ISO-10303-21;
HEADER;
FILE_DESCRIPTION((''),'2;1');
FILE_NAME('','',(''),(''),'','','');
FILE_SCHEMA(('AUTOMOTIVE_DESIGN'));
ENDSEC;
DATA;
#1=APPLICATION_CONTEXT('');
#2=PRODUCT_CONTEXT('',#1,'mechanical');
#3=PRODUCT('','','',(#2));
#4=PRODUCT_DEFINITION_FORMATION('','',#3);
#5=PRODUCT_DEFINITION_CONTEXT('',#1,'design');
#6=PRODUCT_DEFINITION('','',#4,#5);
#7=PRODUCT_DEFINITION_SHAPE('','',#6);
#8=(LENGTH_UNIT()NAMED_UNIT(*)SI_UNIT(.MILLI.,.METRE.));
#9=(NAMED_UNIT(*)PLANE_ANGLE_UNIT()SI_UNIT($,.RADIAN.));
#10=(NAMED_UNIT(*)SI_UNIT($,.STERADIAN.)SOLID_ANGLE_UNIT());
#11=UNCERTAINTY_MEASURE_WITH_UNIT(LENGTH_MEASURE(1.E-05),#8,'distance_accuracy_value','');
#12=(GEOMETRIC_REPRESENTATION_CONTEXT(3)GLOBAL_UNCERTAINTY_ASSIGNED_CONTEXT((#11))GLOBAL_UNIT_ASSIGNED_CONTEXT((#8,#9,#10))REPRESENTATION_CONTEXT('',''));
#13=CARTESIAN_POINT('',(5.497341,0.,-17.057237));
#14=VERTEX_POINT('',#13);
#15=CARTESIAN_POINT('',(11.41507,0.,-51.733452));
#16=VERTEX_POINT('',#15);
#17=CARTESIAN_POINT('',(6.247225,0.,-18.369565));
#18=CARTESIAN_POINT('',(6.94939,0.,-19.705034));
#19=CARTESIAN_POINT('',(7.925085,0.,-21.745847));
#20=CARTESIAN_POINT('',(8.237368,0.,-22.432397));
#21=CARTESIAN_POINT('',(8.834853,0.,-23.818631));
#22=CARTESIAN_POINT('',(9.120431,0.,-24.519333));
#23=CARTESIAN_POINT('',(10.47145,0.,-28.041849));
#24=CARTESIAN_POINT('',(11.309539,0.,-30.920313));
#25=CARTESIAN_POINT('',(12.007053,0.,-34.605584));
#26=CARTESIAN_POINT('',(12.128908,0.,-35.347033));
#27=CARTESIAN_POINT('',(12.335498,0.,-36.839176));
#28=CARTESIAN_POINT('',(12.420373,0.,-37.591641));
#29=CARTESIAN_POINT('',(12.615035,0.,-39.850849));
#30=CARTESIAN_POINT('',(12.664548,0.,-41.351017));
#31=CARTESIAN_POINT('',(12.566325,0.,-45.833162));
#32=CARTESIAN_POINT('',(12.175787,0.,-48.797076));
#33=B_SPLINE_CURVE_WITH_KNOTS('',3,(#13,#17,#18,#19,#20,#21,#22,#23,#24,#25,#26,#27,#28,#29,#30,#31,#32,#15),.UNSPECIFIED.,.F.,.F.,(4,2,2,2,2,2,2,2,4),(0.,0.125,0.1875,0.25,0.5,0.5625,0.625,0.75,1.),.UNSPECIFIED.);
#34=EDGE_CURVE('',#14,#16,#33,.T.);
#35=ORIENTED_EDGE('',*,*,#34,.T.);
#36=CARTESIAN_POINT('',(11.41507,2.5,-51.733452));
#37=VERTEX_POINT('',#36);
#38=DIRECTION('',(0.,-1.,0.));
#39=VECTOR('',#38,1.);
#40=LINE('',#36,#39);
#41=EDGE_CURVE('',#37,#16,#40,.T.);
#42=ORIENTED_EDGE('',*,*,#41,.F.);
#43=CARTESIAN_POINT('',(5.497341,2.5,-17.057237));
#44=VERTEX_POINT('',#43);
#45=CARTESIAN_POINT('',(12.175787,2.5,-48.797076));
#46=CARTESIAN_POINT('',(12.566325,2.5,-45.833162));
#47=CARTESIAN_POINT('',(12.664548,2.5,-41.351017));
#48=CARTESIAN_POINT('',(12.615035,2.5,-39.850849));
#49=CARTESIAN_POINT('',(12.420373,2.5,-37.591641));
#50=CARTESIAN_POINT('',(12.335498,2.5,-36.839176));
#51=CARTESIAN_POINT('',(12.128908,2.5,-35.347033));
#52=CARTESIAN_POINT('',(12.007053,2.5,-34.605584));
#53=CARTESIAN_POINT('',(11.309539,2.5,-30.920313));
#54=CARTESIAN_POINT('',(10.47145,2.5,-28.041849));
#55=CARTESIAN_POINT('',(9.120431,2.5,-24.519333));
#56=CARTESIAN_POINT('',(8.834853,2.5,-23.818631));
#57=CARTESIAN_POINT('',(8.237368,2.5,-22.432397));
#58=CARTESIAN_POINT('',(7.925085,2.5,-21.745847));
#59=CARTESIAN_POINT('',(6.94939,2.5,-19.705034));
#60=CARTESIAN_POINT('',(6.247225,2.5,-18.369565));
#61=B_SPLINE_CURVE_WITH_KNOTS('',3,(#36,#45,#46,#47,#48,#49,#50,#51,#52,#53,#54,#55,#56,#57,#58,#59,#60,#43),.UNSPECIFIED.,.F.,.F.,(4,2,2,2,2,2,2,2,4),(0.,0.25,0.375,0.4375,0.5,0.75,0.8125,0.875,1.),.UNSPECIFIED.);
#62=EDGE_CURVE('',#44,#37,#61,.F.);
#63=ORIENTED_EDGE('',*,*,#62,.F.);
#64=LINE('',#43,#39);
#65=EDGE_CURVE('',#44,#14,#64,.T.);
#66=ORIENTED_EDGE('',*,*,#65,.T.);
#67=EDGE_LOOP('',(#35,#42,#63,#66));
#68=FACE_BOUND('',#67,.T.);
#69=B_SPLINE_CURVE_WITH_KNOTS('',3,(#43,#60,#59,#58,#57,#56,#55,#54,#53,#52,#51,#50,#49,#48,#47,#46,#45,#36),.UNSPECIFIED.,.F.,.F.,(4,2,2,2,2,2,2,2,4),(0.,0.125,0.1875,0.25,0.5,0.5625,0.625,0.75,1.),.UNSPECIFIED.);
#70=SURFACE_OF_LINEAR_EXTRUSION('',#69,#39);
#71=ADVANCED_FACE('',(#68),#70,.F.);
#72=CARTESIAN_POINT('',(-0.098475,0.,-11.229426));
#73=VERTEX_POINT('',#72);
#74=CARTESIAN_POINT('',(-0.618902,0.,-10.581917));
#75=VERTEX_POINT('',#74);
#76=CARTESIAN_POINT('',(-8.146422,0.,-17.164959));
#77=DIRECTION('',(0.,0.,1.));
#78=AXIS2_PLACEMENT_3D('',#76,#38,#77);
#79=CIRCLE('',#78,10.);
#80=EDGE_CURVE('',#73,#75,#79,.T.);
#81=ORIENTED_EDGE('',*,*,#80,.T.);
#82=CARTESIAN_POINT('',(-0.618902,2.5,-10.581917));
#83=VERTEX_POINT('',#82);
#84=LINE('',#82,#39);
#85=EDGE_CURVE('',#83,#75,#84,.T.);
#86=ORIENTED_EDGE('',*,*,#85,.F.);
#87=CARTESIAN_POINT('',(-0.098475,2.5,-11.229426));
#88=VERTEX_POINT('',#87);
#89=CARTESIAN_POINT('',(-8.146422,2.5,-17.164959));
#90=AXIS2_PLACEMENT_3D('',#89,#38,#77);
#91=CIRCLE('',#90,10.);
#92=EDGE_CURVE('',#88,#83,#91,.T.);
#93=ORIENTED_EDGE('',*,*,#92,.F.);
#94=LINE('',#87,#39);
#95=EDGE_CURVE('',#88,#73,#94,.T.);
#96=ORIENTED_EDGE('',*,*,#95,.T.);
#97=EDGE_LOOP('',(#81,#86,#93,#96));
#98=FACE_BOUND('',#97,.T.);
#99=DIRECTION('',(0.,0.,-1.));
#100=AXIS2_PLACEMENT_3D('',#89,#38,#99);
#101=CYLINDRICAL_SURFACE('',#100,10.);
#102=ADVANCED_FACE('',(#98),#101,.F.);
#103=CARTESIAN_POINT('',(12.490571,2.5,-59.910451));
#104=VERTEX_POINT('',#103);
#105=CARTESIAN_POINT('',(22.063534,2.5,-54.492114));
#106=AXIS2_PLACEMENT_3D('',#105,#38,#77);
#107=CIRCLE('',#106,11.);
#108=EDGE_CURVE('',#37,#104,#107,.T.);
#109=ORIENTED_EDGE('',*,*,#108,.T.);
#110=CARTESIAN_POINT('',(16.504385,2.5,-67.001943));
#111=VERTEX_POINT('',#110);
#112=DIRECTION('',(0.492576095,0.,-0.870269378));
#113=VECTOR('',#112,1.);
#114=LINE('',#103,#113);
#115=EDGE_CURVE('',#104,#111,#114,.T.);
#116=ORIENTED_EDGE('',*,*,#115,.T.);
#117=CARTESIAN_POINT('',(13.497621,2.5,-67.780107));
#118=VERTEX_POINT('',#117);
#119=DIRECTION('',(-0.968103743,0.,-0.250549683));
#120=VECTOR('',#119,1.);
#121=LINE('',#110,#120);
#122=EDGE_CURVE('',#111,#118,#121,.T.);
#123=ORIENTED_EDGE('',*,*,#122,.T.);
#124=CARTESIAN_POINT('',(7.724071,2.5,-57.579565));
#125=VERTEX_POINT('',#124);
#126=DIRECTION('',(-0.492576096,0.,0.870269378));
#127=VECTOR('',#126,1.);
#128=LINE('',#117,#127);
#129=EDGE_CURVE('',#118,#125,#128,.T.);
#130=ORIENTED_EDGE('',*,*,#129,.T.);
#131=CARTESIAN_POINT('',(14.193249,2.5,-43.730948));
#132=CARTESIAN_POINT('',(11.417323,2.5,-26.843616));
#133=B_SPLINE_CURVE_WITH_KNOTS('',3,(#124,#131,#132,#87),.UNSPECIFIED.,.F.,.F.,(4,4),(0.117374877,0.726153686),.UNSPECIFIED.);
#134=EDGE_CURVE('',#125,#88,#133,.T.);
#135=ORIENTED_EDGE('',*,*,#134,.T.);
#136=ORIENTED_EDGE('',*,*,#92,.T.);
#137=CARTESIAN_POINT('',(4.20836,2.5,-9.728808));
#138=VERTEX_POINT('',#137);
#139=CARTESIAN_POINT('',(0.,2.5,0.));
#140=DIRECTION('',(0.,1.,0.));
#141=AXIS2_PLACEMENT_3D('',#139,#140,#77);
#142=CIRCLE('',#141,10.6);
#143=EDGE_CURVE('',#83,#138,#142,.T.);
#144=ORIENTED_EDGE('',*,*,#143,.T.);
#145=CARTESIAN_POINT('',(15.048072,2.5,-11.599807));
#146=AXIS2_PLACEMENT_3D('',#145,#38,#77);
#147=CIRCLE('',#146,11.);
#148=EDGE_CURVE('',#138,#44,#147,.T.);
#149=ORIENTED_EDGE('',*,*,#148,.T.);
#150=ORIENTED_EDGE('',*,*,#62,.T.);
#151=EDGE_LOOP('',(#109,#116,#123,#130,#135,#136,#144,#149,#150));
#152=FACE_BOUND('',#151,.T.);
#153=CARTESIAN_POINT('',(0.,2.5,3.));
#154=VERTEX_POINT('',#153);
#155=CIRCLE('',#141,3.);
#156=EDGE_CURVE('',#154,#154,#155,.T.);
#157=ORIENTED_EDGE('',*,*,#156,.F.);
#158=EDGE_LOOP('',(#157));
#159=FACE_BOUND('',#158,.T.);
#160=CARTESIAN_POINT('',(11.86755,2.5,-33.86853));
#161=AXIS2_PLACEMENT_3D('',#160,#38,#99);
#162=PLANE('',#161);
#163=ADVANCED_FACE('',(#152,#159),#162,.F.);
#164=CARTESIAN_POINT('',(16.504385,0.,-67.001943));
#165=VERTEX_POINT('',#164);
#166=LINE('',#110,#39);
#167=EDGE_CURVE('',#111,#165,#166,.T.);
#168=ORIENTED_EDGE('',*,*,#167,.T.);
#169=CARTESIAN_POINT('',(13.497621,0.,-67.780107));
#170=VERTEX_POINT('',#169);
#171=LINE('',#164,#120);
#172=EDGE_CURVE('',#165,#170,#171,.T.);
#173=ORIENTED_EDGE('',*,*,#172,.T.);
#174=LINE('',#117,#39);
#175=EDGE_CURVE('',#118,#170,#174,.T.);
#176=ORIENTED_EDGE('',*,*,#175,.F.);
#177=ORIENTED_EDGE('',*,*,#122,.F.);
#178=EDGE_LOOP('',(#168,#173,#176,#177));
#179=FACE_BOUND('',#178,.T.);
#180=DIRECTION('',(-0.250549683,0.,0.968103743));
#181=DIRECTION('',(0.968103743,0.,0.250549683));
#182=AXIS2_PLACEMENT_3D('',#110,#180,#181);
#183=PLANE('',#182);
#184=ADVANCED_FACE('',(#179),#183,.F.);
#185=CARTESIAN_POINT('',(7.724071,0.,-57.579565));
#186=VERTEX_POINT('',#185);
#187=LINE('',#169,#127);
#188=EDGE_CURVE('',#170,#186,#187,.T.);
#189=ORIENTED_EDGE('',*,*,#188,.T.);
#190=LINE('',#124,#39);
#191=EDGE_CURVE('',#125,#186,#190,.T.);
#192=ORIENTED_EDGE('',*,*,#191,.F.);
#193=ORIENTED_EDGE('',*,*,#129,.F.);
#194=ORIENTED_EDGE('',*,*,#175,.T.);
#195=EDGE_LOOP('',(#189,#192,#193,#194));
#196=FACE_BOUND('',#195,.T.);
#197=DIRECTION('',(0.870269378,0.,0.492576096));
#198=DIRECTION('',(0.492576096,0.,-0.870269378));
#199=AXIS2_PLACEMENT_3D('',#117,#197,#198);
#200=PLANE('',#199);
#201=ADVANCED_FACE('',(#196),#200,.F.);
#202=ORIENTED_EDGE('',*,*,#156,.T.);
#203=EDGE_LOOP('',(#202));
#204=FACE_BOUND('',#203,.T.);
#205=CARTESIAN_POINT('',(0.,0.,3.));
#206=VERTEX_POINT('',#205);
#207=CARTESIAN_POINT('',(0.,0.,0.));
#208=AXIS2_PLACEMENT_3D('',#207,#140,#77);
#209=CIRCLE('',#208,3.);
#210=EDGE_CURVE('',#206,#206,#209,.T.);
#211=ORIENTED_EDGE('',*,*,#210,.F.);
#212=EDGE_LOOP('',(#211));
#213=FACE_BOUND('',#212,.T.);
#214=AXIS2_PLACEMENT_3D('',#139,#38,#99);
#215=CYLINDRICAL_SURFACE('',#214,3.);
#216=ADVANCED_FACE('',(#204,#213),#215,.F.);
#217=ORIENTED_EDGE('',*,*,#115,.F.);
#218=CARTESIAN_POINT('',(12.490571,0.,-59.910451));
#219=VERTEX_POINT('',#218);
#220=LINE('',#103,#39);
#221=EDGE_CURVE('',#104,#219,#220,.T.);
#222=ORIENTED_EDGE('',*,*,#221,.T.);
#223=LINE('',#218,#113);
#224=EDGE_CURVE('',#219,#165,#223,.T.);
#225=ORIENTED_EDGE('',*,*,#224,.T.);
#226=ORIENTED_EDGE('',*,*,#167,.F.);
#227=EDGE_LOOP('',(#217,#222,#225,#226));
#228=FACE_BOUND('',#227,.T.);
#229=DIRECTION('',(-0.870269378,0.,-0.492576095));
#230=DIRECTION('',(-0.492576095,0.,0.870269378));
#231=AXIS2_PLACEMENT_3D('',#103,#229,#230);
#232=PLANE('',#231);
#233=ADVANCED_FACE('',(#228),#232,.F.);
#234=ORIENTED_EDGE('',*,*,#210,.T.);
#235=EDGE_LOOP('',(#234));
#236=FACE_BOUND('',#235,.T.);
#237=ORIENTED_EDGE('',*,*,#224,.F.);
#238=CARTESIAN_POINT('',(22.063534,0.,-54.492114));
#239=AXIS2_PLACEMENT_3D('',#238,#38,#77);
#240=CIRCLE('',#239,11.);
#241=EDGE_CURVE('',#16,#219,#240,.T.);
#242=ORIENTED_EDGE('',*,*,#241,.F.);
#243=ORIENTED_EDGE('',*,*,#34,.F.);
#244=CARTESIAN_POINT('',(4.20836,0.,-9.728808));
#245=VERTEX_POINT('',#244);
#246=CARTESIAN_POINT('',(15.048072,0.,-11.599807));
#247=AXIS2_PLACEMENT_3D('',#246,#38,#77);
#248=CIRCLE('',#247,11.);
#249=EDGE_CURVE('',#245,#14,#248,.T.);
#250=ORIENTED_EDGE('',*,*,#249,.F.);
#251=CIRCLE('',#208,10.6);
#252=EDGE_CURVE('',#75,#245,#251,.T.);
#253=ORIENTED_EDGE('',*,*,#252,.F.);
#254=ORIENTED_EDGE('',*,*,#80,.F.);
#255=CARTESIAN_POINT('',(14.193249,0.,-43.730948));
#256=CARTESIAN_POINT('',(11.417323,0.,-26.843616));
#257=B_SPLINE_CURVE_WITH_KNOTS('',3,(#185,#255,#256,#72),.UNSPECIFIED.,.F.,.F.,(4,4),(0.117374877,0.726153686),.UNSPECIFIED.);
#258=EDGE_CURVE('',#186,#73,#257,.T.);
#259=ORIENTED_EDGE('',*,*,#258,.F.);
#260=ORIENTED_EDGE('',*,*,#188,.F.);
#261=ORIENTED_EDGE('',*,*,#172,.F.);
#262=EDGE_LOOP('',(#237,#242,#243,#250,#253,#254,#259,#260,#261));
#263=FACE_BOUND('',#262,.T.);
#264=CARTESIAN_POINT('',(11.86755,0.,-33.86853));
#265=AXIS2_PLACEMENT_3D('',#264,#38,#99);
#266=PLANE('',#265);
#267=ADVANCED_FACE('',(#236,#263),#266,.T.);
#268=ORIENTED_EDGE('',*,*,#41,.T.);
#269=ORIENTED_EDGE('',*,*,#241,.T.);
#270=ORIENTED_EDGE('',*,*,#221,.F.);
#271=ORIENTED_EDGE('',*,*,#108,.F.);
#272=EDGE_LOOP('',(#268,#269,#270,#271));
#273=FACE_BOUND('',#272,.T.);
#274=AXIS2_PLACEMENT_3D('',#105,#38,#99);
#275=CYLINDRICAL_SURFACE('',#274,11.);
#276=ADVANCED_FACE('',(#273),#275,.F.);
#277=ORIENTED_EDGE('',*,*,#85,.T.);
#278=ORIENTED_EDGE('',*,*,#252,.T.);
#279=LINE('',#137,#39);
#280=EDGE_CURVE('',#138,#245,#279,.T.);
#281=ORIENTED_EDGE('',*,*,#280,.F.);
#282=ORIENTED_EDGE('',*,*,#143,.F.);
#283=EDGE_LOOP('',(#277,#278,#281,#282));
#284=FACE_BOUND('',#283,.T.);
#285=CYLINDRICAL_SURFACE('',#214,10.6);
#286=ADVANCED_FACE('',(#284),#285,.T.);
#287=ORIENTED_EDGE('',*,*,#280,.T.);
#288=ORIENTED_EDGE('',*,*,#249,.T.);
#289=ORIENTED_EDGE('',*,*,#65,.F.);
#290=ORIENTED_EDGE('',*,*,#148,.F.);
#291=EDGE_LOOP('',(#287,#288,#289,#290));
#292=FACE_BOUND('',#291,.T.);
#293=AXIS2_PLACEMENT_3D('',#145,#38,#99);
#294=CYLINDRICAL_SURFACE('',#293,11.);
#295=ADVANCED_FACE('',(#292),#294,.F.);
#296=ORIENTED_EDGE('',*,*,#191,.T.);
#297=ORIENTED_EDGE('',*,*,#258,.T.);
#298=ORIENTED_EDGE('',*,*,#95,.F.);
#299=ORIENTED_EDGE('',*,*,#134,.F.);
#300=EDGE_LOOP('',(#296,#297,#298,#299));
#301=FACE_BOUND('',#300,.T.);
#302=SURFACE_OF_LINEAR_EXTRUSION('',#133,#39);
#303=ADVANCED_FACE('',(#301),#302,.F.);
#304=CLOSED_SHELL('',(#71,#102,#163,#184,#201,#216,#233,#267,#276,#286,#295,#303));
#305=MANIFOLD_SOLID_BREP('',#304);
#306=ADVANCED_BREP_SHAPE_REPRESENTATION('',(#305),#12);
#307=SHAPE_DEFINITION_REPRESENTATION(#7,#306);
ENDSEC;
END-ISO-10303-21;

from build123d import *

# Parameters (mm, degrees)
SKETCH1_R           = 3
BOSS_EXTRUDE1_DEPTH = 2.5


with BuildPart() as part:
    # Sketch1 → Boss-Extrude1 (new body)
    with BuildSketch(Plane(origin=(0, 0, 0), x_dir=(1, 0, 0), z_dir=(0, 1, 0))):
        with BuildLine():
            Line((16.504384769, 67.001942846), (13.497620534, 67.780107201))
            Line((13.497620534, 67.780107201), (7.724071328, 57.579565356))
            add(Edge.make_bspline(
                [(-0.09847484, 11.22942621), (11.417322618, 26.843615689), (14.193248849, 43.730948361), (7.724071328, 57.579565356)],
                knots=[0.117374877, 0.117374877, 0.117374877, 0.117374877, 0.726153686, 0.726153686, 0.726153686, 0.726153686], degree=3))
            ThreePointArc((-0.09847484, 11.22942621), (-0.351961708, 10.90026492), (-0.618902028, 10.581916664))
            ThreePointArc((-0.618902028, 10.581916664), (-1.844722259, -10.438246969), (4.208359749, 9.728808161))
            ThreePointArc((4.208359749, 9.728808161), (4.214374117, 13.50532277), (5.497341127, 17.05723696))
            add(Edge.make_bspline(
                [(5.497341127, 17.05723696), (6.247224749, 18.369564751), (6.949389536, 19.705033958), (7.925084618, 21.74584693), (8.237367579, 22.432397455), (8.834853314, 23.818631134), (9.120431061, 24.519332655), (10.471450422, 28.041849379), (11.3095387, 30.920313304), (12.007053004, 34.605583669), (12.12890822, 35.347032839), (12.335497702, 36.839176051), (12.420373432, 37.591640588), (12.615035285, 39.850848786), (12.664547894, 41.35101651), (12.566324851, 45.833161956), (12.175786709, 48.797076432), (11.415069816, 51.733451528)],
                knots=[0, 0, 0, 0, 0.125, 0.125, 0.1875, 0.1875, 0.25, 0.25, 0.5, 0.5, 0.5625, 0.5625, 0.625, 0.625, 0.75, 0.75, 1, 1, 1, 1], degree=3))
            ThreePointArc((11.415069816, 51.733451528), (11.157464025, 55.926562312), (12.490570585, 59.910450575))
            Line((12.490570585, 59.910450575), (16.504384769, 67.001942846))
        make_face()
        with Locations(Location((0, 0, 0), (0, 0, 270))):
            Circle(SKETCH1_R, mode=Mode.SUBTRACT)
    extrude(amount=BOSS_EXTRUDE1_DEPTH)


solid = part.part
